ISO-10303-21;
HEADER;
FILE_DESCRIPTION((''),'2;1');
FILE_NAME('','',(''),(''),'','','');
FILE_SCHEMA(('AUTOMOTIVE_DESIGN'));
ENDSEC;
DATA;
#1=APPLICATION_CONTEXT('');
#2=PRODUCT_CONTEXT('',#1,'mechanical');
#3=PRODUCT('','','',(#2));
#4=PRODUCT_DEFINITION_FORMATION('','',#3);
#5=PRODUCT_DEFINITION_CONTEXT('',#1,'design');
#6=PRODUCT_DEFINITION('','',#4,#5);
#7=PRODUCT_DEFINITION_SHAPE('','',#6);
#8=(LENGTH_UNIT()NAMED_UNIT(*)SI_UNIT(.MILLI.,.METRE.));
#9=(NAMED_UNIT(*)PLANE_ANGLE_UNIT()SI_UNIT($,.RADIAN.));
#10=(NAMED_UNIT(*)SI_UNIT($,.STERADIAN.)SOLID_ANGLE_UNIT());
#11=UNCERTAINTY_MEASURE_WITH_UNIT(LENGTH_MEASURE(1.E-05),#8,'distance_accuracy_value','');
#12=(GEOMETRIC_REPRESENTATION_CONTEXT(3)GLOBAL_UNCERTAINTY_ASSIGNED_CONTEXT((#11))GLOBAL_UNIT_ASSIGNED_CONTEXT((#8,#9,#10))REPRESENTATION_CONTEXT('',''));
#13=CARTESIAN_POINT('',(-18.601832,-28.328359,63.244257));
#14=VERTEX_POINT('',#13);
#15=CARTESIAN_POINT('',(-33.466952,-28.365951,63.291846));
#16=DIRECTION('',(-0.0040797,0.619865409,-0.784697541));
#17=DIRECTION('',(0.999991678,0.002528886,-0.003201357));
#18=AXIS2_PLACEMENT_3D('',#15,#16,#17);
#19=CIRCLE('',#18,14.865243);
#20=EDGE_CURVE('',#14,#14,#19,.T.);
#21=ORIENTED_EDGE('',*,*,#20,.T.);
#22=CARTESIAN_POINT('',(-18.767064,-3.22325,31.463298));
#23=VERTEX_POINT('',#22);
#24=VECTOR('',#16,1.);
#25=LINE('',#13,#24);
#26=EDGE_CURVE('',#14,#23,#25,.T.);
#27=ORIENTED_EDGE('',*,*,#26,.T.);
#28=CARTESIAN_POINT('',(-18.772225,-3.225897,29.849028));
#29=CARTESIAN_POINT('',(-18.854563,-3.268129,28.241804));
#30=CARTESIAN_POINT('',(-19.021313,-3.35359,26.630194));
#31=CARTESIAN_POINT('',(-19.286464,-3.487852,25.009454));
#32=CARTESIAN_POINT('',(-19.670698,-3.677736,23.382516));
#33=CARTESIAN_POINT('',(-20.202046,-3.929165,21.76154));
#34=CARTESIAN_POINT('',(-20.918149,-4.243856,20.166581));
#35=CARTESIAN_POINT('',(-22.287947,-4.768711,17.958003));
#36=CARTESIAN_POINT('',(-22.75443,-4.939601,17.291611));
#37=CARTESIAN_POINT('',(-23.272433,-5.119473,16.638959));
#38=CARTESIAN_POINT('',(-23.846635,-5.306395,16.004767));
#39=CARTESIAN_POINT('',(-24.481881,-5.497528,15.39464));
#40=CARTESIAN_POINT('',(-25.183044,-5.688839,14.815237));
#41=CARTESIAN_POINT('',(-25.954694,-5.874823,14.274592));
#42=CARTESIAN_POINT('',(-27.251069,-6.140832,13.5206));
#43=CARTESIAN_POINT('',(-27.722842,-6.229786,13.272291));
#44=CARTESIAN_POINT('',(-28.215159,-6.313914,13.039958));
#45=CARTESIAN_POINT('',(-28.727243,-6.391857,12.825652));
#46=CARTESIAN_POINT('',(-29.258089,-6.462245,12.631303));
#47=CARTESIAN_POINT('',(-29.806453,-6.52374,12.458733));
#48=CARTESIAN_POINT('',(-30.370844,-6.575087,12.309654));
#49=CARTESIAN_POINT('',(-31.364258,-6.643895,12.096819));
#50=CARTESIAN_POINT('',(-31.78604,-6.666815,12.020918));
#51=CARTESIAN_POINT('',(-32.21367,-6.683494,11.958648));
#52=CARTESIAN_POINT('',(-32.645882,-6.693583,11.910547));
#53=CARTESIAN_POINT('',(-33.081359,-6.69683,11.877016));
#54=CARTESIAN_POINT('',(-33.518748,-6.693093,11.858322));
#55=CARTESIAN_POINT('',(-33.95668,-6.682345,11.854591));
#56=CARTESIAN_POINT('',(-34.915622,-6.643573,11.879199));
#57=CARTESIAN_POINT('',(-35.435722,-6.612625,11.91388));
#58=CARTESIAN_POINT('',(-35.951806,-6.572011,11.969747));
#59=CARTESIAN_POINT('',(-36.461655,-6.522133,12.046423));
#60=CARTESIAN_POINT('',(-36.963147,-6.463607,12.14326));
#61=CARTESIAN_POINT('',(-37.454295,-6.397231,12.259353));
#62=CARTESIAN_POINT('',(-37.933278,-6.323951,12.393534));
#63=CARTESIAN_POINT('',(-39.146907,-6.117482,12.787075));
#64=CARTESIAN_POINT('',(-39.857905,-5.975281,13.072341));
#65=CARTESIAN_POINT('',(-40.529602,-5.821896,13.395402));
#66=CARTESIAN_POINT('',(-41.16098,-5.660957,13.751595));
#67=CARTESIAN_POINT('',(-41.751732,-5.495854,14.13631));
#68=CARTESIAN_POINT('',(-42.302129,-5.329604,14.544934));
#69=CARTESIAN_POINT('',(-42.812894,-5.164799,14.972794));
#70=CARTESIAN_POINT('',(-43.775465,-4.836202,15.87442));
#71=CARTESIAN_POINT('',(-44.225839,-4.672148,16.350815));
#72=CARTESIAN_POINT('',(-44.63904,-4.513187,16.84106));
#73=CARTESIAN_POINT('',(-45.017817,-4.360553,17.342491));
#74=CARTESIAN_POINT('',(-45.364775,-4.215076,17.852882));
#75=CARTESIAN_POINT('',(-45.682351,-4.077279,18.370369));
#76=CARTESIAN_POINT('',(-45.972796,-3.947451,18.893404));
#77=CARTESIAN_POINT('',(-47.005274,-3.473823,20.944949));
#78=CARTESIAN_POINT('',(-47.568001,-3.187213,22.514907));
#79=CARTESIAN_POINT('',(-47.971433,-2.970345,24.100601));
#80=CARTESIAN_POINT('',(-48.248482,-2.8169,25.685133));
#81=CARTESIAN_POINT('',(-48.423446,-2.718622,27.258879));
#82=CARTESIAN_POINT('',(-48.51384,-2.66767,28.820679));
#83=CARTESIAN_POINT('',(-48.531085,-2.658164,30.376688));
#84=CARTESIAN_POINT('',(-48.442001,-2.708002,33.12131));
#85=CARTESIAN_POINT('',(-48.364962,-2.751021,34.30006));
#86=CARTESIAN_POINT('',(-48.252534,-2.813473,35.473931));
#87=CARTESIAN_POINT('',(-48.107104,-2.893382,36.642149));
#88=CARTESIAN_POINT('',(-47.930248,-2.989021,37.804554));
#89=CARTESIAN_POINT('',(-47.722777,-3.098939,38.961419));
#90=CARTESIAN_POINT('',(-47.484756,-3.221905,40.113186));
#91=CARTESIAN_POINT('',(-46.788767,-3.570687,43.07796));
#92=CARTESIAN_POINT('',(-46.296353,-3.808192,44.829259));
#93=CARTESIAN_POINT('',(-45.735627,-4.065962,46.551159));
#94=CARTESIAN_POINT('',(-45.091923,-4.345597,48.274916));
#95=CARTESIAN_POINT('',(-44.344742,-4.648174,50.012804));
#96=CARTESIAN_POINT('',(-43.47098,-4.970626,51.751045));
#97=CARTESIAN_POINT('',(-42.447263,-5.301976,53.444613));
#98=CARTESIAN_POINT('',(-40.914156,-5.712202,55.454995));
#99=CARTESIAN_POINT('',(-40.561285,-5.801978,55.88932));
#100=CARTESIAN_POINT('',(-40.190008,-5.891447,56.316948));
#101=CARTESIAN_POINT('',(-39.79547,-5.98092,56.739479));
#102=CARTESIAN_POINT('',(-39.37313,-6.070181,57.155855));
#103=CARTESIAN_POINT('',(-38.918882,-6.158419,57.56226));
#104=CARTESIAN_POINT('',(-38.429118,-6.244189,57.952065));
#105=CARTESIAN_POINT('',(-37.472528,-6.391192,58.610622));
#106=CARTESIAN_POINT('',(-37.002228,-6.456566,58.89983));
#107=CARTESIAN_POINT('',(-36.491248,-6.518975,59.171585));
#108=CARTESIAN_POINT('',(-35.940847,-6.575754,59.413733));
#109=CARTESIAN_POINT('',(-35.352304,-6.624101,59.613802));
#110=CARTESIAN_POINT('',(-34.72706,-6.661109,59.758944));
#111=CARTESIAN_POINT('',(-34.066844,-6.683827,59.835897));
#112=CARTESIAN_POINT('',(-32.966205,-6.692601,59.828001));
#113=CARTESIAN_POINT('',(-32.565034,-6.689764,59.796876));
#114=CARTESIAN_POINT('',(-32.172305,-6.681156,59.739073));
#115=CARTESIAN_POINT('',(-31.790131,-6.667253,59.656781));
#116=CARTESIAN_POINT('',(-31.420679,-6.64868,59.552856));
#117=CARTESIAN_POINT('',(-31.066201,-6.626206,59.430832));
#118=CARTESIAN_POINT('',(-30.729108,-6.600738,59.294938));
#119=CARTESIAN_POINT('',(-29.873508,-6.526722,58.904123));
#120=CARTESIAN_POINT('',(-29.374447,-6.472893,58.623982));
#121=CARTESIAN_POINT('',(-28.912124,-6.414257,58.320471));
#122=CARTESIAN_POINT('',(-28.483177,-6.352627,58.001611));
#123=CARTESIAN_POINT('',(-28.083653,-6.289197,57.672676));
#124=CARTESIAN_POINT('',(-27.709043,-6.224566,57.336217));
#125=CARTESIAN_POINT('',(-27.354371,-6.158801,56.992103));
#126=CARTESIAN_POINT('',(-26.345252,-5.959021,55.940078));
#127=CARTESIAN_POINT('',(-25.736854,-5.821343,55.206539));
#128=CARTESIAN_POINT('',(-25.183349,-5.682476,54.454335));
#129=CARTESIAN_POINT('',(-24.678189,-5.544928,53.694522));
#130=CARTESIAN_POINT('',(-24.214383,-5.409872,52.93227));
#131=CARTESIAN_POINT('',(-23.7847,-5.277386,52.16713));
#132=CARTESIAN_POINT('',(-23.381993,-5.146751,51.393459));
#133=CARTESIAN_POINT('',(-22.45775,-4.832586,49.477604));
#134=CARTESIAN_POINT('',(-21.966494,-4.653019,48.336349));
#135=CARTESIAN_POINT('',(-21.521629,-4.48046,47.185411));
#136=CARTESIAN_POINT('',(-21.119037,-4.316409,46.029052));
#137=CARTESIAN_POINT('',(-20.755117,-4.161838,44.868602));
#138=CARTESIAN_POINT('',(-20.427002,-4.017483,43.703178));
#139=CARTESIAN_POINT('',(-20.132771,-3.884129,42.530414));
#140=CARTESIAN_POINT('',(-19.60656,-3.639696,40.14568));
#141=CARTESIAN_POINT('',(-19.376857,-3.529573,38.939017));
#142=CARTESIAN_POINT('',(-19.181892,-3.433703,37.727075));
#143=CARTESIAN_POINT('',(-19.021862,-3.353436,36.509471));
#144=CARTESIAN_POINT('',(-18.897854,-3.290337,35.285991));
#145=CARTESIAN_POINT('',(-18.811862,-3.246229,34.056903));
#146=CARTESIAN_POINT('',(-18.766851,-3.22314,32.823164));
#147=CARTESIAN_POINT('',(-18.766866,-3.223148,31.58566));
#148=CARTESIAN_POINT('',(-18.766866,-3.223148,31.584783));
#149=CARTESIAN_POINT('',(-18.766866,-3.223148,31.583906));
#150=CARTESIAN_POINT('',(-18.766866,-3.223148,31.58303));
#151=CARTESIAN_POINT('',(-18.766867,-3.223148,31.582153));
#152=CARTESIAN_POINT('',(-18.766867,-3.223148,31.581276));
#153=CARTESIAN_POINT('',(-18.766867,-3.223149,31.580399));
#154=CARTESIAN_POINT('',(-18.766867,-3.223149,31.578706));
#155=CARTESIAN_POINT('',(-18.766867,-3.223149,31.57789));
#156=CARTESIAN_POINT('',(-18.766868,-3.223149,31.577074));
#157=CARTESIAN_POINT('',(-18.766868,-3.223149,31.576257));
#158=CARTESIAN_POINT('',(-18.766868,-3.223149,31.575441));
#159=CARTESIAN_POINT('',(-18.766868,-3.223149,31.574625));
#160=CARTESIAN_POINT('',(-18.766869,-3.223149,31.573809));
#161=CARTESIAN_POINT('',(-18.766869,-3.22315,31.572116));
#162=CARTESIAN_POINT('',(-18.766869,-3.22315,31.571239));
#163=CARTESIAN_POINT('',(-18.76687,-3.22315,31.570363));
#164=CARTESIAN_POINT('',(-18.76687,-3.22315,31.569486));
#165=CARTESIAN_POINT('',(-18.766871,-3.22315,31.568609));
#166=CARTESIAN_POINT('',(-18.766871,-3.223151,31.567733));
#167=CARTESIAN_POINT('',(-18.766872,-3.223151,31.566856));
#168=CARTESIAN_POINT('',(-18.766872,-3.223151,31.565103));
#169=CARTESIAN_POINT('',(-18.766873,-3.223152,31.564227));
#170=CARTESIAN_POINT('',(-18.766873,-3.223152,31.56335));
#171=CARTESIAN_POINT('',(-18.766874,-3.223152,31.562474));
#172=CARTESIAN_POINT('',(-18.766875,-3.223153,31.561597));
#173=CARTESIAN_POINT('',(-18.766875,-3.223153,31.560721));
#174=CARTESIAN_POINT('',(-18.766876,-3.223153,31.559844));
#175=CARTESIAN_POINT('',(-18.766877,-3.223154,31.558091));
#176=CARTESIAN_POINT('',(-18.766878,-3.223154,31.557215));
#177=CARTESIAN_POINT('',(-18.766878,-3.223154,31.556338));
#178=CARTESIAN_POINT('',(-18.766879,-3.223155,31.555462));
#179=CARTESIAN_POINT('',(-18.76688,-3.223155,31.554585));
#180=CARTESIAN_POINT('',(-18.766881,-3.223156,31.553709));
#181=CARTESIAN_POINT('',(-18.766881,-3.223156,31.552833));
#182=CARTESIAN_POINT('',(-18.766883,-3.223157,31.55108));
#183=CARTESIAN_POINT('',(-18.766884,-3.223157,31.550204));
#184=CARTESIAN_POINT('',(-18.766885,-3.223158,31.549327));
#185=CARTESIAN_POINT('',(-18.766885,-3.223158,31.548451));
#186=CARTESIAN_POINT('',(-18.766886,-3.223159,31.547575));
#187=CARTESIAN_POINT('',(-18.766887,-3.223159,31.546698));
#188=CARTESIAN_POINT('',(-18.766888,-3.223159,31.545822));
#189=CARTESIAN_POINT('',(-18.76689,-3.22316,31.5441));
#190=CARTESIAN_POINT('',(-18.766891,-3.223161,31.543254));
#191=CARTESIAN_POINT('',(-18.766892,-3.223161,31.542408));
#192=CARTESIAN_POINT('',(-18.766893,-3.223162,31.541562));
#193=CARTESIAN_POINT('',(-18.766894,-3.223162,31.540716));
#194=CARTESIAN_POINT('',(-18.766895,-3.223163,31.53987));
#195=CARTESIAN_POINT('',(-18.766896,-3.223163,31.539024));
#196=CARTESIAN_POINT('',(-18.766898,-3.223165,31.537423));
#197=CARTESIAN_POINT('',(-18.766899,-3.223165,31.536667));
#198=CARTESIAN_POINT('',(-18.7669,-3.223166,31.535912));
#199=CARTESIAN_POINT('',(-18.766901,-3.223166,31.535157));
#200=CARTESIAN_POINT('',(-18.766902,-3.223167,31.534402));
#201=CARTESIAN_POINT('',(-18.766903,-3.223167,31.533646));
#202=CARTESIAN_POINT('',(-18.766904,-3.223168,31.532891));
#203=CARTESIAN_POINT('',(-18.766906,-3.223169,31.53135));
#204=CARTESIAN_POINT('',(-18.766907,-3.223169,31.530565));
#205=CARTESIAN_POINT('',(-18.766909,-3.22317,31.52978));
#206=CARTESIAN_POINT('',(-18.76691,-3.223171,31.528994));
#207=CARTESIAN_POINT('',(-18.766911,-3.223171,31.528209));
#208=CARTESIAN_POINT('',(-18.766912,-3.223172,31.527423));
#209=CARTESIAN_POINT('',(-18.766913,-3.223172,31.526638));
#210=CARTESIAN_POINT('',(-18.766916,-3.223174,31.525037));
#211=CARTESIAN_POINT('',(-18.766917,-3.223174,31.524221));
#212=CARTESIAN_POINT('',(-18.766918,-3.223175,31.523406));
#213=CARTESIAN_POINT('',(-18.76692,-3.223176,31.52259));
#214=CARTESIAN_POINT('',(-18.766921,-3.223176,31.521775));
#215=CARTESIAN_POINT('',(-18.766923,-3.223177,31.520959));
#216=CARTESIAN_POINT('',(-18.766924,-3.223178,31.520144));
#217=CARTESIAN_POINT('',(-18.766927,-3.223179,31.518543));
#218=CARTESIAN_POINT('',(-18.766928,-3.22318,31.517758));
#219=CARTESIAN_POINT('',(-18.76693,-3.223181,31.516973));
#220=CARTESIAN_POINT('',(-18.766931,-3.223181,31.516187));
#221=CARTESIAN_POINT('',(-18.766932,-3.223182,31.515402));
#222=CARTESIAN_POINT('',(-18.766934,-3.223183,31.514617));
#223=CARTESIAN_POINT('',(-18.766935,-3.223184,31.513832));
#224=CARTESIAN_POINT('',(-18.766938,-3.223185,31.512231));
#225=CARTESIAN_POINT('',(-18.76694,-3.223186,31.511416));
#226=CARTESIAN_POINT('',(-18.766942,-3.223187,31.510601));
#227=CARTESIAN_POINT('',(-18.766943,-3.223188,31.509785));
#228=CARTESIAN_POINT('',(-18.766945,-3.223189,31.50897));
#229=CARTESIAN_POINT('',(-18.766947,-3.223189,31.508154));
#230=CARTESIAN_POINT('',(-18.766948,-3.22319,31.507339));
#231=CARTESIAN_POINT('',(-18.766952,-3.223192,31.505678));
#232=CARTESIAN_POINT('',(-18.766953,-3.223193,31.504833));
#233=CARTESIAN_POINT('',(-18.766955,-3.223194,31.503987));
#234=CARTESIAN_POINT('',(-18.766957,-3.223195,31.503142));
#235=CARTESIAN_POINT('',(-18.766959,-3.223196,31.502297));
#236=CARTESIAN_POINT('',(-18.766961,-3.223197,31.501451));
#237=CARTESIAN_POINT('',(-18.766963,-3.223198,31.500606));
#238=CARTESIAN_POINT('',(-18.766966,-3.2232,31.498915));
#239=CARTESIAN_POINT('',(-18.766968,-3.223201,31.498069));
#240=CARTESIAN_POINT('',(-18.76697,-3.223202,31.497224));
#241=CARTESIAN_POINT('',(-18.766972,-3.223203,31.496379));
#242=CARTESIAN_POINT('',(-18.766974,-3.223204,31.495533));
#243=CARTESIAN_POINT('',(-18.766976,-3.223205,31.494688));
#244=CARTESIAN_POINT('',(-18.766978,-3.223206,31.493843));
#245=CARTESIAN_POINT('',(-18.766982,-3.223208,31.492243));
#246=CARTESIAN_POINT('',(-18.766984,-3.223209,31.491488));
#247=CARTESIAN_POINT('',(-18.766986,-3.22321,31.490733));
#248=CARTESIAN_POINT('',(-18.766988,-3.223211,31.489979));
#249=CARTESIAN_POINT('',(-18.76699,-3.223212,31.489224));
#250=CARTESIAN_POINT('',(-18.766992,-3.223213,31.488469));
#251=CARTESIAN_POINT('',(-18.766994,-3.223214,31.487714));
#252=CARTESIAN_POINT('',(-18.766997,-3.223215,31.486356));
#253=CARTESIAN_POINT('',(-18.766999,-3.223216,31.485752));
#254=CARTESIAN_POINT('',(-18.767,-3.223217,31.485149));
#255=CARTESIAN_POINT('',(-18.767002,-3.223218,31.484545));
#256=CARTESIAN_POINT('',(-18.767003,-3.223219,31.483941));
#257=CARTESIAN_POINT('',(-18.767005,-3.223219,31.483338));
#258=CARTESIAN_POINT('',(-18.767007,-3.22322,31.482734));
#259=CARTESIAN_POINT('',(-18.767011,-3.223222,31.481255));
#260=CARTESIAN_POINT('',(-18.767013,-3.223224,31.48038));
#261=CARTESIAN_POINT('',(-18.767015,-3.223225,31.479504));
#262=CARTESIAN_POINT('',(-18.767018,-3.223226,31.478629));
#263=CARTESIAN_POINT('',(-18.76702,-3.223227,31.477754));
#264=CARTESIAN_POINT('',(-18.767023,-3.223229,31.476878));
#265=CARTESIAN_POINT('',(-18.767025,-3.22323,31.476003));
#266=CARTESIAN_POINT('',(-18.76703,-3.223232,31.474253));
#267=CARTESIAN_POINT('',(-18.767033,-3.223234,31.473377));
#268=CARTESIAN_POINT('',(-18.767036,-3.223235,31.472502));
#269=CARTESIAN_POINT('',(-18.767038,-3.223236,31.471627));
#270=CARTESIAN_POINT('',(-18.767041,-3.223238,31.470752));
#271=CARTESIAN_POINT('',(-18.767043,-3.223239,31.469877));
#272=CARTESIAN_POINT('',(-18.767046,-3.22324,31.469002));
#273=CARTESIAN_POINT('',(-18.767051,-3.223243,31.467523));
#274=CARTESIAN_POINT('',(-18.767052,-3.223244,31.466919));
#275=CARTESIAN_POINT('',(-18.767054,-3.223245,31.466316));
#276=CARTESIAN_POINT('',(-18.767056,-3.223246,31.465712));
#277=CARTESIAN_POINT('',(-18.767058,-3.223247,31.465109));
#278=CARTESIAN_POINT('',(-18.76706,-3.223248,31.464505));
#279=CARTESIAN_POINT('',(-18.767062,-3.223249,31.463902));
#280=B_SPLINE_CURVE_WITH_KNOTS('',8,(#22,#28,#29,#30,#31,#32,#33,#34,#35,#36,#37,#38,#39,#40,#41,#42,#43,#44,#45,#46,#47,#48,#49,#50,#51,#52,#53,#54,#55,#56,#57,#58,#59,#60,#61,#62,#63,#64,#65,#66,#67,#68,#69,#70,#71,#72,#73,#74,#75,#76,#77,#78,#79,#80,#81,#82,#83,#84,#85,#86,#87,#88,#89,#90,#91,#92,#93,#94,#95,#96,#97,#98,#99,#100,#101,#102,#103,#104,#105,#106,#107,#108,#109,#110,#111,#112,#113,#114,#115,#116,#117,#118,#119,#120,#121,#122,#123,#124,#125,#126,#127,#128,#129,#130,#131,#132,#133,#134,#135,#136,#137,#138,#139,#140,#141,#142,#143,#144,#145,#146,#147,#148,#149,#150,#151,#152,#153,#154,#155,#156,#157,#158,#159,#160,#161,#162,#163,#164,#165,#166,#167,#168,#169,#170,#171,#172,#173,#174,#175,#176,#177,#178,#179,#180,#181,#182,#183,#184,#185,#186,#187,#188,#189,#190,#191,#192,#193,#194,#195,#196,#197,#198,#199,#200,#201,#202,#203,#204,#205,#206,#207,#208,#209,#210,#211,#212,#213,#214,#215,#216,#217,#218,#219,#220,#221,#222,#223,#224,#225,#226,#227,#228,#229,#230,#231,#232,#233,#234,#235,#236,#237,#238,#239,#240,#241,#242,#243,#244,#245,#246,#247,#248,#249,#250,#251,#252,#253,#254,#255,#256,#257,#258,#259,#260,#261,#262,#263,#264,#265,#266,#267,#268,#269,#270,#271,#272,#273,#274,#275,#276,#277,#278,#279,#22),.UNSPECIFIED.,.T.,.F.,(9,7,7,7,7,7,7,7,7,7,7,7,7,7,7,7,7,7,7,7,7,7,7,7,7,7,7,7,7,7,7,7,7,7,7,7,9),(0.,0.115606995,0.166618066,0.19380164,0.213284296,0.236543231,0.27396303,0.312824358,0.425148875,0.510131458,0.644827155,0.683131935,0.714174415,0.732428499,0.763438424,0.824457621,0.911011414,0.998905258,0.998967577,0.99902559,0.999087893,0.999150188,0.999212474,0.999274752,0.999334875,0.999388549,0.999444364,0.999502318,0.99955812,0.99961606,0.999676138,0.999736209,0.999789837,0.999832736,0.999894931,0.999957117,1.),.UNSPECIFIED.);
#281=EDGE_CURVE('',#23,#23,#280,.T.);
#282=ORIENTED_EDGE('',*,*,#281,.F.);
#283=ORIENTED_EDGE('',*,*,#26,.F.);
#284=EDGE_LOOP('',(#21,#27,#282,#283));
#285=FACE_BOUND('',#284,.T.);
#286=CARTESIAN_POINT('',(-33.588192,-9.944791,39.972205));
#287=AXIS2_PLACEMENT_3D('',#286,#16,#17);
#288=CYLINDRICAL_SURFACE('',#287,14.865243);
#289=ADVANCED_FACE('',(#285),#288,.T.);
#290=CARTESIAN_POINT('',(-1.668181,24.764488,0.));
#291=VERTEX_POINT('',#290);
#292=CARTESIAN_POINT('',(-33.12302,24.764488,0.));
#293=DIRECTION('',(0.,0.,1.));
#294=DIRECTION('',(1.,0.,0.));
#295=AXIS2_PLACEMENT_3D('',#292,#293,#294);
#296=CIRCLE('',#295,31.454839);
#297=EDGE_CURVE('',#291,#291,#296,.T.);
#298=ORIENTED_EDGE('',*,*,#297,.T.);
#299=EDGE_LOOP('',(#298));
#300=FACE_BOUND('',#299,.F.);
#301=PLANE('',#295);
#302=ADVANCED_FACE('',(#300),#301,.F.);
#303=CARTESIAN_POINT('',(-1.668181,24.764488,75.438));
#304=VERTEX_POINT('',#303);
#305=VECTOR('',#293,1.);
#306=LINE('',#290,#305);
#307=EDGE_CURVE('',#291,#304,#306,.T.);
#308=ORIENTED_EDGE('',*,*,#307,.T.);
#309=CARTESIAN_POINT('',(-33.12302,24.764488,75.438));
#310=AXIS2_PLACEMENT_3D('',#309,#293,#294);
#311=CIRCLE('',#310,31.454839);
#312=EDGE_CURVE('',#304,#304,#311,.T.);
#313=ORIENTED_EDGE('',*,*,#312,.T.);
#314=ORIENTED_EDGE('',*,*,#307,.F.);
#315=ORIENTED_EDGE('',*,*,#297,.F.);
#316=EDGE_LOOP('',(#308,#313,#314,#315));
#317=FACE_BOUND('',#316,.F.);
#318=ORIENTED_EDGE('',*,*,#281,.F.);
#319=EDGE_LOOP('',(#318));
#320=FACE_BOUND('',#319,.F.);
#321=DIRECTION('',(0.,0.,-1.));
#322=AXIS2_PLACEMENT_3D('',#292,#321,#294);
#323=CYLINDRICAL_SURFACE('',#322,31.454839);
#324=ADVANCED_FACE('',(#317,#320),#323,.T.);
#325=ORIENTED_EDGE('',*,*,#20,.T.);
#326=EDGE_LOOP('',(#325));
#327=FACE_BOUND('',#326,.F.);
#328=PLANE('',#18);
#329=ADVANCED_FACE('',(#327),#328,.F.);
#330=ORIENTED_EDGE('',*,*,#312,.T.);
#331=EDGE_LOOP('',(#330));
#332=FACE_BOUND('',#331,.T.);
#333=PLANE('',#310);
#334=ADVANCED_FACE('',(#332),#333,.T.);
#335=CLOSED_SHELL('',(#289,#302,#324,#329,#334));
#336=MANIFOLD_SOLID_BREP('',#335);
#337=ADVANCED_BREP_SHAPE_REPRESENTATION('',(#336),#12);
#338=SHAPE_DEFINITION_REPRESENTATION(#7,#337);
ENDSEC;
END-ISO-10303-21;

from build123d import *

# Parameters (mm, degrees)
F0_R     = 31.4548391854
F1_DEPTH = 75.438
F5_R     = 14.8652429267
F6_DEPTH = 29.718


with BuildPart() as f1:
    # F0 (on Top) → F1 (new body)
    with BuildSketch(Plane.XY):
        with Locations((-33.1230200827, 24.7644875199)):
            Circle(F0_R)
    extrude(amount=F1_DEPTH)

    # F5 (on 3pt) → F6 (join, symmetric)
    with BuildSketch(Plane(origin=(0.1525542398, -23.1789328381, 29.3425820121), x_dir=(0.999991678, 0.0025288861, -0.0032013573), z_dir=(-0.0040797002, 0.619865409, -0.784697541))):
        with Locations((-33.7410271168, -16.973875463)):
            Circle(F5_R)
    extrude(amount=F6_DEPTH, both=True)


solid = f1.part
